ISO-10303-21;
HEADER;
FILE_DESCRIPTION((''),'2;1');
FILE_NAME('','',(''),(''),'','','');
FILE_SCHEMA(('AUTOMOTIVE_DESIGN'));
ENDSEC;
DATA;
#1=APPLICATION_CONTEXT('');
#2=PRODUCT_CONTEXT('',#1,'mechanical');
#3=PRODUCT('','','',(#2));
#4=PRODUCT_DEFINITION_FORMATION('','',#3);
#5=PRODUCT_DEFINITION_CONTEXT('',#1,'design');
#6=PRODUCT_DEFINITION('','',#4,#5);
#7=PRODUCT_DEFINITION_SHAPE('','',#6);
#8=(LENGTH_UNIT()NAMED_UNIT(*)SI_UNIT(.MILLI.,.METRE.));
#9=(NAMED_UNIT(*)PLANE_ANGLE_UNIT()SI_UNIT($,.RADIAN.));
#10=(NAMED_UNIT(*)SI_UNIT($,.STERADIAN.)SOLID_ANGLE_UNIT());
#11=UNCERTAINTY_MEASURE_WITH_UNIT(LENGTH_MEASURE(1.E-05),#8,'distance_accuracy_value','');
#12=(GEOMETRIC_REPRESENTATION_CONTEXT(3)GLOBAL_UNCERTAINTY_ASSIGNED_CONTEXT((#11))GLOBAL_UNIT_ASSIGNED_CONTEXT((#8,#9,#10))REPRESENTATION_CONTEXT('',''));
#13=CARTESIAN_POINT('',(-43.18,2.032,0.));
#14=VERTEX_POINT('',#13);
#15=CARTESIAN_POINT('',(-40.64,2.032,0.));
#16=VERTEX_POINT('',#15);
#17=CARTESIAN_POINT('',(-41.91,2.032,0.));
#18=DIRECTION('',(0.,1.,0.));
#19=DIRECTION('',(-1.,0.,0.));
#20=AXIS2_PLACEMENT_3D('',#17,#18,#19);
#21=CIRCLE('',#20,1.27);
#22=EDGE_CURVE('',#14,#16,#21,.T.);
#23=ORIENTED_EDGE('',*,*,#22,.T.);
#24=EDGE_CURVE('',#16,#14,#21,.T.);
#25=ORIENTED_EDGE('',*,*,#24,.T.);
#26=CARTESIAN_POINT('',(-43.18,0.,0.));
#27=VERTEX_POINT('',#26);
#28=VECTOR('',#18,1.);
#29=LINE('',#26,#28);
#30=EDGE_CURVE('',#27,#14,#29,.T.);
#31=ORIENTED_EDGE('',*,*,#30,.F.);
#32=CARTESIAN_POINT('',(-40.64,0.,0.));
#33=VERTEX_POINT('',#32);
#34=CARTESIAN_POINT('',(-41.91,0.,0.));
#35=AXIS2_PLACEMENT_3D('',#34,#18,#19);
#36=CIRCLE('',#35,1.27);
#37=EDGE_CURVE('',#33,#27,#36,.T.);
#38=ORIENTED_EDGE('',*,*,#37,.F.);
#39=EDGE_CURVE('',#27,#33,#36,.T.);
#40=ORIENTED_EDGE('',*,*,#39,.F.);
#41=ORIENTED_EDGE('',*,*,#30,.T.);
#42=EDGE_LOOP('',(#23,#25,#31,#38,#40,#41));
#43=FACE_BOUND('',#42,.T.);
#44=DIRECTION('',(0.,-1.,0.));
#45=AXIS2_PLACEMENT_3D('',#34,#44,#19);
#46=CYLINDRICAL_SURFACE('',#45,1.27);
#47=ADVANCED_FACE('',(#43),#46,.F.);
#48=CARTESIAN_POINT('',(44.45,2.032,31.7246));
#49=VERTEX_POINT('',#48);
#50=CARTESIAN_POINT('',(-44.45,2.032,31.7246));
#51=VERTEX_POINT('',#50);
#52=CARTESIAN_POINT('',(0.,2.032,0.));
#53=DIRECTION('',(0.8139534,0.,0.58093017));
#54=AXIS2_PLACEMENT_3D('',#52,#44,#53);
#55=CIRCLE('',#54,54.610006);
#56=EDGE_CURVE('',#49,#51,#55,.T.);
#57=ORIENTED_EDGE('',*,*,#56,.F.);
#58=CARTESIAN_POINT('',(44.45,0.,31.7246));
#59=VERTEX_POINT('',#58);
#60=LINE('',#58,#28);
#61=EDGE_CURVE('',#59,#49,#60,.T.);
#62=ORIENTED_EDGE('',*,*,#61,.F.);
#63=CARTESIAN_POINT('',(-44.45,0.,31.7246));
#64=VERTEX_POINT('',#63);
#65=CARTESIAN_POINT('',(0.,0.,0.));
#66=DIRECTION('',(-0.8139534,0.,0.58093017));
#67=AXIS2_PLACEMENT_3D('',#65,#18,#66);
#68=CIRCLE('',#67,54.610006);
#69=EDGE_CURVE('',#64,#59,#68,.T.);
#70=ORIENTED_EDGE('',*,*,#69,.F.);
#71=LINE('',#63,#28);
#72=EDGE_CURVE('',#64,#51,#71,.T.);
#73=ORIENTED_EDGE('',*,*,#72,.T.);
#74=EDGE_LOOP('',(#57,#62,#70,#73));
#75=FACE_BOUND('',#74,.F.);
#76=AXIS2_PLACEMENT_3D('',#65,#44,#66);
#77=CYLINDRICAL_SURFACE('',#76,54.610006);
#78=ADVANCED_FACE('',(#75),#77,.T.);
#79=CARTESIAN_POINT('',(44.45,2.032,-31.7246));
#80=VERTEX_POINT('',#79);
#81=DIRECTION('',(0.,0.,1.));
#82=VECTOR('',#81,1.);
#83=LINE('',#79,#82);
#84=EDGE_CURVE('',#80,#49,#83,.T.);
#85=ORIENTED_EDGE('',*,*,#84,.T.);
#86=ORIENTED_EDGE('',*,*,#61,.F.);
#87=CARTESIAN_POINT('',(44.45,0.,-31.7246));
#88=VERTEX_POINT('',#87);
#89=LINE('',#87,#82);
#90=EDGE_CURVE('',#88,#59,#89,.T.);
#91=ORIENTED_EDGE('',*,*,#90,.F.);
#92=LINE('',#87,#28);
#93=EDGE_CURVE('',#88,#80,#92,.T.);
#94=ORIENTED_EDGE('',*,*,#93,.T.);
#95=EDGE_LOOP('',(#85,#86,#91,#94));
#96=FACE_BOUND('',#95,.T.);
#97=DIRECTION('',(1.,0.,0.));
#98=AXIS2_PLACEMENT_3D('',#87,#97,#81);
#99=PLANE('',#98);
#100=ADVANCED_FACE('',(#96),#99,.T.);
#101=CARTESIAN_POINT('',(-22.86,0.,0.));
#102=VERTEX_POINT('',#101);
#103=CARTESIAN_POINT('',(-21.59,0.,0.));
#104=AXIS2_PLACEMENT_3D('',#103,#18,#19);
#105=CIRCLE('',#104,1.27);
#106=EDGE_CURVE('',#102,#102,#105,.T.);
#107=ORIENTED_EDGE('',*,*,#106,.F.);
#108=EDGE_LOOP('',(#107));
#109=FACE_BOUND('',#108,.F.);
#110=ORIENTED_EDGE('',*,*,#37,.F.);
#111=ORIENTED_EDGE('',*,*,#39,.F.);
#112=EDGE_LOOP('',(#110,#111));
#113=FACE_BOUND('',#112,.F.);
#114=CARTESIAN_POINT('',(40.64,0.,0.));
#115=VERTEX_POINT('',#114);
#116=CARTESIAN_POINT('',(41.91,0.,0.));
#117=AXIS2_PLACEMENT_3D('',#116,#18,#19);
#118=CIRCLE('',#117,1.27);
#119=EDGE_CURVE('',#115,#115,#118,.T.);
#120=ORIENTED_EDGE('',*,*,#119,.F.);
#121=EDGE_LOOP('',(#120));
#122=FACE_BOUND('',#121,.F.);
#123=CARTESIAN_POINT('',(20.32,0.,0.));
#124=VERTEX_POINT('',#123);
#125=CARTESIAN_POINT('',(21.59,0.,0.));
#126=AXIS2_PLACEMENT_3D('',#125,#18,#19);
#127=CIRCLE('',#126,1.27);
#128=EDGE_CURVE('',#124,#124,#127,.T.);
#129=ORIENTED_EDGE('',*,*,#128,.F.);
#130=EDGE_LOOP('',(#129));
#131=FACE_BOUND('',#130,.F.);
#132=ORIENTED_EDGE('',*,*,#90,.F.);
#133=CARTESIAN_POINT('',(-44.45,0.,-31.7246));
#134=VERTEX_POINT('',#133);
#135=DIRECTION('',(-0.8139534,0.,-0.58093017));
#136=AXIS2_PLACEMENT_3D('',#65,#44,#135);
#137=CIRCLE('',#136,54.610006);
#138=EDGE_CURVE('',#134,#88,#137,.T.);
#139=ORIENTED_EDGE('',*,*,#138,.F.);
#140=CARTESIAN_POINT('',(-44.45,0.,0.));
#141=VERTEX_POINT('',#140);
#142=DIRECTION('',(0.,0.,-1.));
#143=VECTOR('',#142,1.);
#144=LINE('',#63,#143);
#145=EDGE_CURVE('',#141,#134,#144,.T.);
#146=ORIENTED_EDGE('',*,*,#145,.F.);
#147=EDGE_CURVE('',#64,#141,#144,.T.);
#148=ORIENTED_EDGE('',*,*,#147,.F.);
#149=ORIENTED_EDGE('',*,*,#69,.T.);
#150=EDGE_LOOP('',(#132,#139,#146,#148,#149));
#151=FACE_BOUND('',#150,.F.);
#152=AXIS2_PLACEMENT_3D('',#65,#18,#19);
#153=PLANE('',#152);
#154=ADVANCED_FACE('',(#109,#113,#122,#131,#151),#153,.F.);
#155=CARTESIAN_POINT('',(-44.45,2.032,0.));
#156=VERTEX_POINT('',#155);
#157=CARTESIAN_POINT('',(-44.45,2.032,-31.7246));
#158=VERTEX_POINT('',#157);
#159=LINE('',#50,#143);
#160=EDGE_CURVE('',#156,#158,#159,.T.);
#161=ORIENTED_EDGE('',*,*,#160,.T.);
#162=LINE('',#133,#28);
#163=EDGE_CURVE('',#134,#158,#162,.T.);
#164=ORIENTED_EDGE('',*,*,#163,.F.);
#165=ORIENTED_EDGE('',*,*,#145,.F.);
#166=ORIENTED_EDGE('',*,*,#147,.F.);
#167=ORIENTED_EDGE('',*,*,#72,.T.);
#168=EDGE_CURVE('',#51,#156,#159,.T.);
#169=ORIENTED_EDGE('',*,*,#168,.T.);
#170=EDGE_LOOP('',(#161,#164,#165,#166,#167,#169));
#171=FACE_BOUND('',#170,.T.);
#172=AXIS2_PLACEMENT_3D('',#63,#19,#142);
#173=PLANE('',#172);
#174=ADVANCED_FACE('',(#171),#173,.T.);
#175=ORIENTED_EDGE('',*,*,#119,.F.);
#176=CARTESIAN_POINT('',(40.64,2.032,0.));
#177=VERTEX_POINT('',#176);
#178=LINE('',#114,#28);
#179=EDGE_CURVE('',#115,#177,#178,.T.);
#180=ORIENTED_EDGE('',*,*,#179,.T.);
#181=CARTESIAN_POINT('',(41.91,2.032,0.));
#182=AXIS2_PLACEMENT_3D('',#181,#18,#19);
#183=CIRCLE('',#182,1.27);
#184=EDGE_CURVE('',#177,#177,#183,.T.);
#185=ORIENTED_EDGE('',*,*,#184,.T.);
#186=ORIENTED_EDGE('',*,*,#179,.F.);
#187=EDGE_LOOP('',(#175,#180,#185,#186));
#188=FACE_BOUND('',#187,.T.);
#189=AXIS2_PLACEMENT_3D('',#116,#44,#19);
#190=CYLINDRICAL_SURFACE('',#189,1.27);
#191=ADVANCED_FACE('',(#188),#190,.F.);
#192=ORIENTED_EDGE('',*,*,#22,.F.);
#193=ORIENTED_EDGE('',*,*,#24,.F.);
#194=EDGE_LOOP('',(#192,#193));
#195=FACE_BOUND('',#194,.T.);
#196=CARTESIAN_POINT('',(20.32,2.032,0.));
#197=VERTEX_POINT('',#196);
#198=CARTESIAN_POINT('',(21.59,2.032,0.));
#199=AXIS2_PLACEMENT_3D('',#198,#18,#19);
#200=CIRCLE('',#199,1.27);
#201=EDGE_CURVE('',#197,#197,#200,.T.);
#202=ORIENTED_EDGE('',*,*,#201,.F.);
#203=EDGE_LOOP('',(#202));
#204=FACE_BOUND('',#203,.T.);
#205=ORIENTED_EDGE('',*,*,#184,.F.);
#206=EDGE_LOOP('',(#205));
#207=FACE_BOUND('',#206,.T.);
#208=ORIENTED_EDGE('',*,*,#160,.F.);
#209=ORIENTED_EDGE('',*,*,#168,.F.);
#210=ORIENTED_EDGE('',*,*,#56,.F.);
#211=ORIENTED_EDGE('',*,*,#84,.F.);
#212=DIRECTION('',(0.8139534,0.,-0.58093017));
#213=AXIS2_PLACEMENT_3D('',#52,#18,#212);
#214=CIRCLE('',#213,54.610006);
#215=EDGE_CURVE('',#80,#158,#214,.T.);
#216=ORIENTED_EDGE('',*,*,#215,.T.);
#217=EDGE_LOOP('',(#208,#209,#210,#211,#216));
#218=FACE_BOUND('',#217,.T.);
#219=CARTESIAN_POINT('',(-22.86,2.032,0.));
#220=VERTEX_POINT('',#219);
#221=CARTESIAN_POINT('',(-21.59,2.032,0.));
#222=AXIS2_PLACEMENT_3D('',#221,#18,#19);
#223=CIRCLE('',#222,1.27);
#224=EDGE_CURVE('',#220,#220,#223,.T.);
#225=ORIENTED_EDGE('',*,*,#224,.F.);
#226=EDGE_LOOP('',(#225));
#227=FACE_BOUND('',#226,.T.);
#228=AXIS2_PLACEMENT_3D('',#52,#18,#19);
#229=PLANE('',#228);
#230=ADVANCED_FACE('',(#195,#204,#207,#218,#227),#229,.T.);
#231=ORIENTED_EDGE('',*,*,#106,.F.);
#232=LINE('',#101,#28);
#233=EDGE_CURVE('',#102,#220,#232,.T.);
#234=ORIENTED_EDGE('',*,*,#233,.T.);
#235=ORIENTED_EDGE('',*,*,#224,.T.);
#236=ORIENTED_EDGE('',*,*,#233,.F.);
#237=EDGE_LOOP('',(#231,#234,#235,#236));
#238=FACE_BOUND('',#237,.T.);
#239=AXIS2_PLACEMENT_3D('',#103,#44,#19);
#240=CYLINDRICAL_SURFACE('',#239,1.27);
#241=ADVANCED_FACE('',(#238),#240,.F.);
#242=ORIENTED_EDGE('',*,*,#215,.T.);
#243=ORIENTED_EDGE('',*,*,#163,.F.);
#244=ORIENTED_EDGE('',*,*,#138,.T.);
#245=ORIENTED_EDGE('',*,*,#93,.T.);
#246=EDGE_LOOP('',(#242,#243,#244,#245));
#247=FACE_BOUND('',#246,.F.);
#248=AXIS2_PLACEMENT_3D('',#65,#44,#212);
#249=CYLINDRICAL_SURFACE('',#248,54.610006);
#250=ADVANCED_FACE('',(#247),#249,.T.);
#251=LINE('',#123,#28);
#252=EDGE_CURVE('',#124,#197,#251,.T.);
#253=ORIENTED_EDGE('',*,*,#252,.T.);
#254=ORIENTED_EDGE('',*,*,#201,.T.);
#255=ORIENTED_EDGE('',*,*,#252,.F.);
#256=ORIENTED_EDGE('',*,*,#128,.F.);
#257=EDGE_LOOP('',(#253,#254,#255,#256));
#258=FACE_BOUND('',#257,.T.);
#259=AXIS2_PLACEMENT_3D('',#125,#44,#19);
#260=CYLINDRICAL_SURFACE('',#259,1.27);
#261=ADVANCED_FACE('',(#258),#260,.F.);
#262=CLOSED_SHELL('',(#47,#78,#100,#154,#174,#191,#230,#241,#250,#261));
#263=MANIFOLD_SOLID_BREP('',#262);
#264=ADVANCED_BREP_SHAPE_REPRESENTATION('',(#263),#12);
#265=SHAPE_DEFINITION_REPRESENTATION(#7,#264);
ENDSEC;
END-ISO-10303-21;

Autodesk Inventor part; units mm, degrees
ref_plane "YZ Plane" through (0, 0, 0) normal (1, 0, 0) x (0, 1, 0)
ref_plane "XZ Plane" through (0, 0, 0) normal (0, 1, 0) x (-1, 0, 0)
ref_plane "XY Plane" through (0, 0, 0) normal (0, 0, 1) x (1, 0, 0)
sketch "Sketch1" plane through (0, 0, 0) normal (0, 1, 0) x (-1, 0, 0)
  line L0 (44.45, 31.7246) -> (44.45, -31.7246)
  line L1 (-44.45, -31.7246) -> (-44.45, 31.7246)
  arc A0 (-44.45, -31.7246) -> (44.45, -31.7246) centre (0, 0) ccw
  arc A1 (44.45, 31.7246) -> (-44.45, 31.7246) centre (0, 0) ccw
  line L2 (44.45, 0) -> (41.91, 0)
  circle A2 centre (41.91, 0) radius 1.27
  line L3 (41.91, 0) -> (21.59, 0)
  circle A3 centre (21.59, 0) radius 1.27
  line L4 (0, -54.61) -> (0, 54.61)
  circle A4 centre (-41.91, 0) radius 1.27
  circle A5 centre (-21.59, 0) radius 1.27
  dimension "d3" = 88.9
  dimension "d4" = 2.54
  dimension "d5" = 2.54
  dimension "d6" = 20.32
  dimension "d7" = 2.54
extrude "Extrusion1" add sketch "Sketch1" along normal blind 2.032
properties part number "Top Plate"
